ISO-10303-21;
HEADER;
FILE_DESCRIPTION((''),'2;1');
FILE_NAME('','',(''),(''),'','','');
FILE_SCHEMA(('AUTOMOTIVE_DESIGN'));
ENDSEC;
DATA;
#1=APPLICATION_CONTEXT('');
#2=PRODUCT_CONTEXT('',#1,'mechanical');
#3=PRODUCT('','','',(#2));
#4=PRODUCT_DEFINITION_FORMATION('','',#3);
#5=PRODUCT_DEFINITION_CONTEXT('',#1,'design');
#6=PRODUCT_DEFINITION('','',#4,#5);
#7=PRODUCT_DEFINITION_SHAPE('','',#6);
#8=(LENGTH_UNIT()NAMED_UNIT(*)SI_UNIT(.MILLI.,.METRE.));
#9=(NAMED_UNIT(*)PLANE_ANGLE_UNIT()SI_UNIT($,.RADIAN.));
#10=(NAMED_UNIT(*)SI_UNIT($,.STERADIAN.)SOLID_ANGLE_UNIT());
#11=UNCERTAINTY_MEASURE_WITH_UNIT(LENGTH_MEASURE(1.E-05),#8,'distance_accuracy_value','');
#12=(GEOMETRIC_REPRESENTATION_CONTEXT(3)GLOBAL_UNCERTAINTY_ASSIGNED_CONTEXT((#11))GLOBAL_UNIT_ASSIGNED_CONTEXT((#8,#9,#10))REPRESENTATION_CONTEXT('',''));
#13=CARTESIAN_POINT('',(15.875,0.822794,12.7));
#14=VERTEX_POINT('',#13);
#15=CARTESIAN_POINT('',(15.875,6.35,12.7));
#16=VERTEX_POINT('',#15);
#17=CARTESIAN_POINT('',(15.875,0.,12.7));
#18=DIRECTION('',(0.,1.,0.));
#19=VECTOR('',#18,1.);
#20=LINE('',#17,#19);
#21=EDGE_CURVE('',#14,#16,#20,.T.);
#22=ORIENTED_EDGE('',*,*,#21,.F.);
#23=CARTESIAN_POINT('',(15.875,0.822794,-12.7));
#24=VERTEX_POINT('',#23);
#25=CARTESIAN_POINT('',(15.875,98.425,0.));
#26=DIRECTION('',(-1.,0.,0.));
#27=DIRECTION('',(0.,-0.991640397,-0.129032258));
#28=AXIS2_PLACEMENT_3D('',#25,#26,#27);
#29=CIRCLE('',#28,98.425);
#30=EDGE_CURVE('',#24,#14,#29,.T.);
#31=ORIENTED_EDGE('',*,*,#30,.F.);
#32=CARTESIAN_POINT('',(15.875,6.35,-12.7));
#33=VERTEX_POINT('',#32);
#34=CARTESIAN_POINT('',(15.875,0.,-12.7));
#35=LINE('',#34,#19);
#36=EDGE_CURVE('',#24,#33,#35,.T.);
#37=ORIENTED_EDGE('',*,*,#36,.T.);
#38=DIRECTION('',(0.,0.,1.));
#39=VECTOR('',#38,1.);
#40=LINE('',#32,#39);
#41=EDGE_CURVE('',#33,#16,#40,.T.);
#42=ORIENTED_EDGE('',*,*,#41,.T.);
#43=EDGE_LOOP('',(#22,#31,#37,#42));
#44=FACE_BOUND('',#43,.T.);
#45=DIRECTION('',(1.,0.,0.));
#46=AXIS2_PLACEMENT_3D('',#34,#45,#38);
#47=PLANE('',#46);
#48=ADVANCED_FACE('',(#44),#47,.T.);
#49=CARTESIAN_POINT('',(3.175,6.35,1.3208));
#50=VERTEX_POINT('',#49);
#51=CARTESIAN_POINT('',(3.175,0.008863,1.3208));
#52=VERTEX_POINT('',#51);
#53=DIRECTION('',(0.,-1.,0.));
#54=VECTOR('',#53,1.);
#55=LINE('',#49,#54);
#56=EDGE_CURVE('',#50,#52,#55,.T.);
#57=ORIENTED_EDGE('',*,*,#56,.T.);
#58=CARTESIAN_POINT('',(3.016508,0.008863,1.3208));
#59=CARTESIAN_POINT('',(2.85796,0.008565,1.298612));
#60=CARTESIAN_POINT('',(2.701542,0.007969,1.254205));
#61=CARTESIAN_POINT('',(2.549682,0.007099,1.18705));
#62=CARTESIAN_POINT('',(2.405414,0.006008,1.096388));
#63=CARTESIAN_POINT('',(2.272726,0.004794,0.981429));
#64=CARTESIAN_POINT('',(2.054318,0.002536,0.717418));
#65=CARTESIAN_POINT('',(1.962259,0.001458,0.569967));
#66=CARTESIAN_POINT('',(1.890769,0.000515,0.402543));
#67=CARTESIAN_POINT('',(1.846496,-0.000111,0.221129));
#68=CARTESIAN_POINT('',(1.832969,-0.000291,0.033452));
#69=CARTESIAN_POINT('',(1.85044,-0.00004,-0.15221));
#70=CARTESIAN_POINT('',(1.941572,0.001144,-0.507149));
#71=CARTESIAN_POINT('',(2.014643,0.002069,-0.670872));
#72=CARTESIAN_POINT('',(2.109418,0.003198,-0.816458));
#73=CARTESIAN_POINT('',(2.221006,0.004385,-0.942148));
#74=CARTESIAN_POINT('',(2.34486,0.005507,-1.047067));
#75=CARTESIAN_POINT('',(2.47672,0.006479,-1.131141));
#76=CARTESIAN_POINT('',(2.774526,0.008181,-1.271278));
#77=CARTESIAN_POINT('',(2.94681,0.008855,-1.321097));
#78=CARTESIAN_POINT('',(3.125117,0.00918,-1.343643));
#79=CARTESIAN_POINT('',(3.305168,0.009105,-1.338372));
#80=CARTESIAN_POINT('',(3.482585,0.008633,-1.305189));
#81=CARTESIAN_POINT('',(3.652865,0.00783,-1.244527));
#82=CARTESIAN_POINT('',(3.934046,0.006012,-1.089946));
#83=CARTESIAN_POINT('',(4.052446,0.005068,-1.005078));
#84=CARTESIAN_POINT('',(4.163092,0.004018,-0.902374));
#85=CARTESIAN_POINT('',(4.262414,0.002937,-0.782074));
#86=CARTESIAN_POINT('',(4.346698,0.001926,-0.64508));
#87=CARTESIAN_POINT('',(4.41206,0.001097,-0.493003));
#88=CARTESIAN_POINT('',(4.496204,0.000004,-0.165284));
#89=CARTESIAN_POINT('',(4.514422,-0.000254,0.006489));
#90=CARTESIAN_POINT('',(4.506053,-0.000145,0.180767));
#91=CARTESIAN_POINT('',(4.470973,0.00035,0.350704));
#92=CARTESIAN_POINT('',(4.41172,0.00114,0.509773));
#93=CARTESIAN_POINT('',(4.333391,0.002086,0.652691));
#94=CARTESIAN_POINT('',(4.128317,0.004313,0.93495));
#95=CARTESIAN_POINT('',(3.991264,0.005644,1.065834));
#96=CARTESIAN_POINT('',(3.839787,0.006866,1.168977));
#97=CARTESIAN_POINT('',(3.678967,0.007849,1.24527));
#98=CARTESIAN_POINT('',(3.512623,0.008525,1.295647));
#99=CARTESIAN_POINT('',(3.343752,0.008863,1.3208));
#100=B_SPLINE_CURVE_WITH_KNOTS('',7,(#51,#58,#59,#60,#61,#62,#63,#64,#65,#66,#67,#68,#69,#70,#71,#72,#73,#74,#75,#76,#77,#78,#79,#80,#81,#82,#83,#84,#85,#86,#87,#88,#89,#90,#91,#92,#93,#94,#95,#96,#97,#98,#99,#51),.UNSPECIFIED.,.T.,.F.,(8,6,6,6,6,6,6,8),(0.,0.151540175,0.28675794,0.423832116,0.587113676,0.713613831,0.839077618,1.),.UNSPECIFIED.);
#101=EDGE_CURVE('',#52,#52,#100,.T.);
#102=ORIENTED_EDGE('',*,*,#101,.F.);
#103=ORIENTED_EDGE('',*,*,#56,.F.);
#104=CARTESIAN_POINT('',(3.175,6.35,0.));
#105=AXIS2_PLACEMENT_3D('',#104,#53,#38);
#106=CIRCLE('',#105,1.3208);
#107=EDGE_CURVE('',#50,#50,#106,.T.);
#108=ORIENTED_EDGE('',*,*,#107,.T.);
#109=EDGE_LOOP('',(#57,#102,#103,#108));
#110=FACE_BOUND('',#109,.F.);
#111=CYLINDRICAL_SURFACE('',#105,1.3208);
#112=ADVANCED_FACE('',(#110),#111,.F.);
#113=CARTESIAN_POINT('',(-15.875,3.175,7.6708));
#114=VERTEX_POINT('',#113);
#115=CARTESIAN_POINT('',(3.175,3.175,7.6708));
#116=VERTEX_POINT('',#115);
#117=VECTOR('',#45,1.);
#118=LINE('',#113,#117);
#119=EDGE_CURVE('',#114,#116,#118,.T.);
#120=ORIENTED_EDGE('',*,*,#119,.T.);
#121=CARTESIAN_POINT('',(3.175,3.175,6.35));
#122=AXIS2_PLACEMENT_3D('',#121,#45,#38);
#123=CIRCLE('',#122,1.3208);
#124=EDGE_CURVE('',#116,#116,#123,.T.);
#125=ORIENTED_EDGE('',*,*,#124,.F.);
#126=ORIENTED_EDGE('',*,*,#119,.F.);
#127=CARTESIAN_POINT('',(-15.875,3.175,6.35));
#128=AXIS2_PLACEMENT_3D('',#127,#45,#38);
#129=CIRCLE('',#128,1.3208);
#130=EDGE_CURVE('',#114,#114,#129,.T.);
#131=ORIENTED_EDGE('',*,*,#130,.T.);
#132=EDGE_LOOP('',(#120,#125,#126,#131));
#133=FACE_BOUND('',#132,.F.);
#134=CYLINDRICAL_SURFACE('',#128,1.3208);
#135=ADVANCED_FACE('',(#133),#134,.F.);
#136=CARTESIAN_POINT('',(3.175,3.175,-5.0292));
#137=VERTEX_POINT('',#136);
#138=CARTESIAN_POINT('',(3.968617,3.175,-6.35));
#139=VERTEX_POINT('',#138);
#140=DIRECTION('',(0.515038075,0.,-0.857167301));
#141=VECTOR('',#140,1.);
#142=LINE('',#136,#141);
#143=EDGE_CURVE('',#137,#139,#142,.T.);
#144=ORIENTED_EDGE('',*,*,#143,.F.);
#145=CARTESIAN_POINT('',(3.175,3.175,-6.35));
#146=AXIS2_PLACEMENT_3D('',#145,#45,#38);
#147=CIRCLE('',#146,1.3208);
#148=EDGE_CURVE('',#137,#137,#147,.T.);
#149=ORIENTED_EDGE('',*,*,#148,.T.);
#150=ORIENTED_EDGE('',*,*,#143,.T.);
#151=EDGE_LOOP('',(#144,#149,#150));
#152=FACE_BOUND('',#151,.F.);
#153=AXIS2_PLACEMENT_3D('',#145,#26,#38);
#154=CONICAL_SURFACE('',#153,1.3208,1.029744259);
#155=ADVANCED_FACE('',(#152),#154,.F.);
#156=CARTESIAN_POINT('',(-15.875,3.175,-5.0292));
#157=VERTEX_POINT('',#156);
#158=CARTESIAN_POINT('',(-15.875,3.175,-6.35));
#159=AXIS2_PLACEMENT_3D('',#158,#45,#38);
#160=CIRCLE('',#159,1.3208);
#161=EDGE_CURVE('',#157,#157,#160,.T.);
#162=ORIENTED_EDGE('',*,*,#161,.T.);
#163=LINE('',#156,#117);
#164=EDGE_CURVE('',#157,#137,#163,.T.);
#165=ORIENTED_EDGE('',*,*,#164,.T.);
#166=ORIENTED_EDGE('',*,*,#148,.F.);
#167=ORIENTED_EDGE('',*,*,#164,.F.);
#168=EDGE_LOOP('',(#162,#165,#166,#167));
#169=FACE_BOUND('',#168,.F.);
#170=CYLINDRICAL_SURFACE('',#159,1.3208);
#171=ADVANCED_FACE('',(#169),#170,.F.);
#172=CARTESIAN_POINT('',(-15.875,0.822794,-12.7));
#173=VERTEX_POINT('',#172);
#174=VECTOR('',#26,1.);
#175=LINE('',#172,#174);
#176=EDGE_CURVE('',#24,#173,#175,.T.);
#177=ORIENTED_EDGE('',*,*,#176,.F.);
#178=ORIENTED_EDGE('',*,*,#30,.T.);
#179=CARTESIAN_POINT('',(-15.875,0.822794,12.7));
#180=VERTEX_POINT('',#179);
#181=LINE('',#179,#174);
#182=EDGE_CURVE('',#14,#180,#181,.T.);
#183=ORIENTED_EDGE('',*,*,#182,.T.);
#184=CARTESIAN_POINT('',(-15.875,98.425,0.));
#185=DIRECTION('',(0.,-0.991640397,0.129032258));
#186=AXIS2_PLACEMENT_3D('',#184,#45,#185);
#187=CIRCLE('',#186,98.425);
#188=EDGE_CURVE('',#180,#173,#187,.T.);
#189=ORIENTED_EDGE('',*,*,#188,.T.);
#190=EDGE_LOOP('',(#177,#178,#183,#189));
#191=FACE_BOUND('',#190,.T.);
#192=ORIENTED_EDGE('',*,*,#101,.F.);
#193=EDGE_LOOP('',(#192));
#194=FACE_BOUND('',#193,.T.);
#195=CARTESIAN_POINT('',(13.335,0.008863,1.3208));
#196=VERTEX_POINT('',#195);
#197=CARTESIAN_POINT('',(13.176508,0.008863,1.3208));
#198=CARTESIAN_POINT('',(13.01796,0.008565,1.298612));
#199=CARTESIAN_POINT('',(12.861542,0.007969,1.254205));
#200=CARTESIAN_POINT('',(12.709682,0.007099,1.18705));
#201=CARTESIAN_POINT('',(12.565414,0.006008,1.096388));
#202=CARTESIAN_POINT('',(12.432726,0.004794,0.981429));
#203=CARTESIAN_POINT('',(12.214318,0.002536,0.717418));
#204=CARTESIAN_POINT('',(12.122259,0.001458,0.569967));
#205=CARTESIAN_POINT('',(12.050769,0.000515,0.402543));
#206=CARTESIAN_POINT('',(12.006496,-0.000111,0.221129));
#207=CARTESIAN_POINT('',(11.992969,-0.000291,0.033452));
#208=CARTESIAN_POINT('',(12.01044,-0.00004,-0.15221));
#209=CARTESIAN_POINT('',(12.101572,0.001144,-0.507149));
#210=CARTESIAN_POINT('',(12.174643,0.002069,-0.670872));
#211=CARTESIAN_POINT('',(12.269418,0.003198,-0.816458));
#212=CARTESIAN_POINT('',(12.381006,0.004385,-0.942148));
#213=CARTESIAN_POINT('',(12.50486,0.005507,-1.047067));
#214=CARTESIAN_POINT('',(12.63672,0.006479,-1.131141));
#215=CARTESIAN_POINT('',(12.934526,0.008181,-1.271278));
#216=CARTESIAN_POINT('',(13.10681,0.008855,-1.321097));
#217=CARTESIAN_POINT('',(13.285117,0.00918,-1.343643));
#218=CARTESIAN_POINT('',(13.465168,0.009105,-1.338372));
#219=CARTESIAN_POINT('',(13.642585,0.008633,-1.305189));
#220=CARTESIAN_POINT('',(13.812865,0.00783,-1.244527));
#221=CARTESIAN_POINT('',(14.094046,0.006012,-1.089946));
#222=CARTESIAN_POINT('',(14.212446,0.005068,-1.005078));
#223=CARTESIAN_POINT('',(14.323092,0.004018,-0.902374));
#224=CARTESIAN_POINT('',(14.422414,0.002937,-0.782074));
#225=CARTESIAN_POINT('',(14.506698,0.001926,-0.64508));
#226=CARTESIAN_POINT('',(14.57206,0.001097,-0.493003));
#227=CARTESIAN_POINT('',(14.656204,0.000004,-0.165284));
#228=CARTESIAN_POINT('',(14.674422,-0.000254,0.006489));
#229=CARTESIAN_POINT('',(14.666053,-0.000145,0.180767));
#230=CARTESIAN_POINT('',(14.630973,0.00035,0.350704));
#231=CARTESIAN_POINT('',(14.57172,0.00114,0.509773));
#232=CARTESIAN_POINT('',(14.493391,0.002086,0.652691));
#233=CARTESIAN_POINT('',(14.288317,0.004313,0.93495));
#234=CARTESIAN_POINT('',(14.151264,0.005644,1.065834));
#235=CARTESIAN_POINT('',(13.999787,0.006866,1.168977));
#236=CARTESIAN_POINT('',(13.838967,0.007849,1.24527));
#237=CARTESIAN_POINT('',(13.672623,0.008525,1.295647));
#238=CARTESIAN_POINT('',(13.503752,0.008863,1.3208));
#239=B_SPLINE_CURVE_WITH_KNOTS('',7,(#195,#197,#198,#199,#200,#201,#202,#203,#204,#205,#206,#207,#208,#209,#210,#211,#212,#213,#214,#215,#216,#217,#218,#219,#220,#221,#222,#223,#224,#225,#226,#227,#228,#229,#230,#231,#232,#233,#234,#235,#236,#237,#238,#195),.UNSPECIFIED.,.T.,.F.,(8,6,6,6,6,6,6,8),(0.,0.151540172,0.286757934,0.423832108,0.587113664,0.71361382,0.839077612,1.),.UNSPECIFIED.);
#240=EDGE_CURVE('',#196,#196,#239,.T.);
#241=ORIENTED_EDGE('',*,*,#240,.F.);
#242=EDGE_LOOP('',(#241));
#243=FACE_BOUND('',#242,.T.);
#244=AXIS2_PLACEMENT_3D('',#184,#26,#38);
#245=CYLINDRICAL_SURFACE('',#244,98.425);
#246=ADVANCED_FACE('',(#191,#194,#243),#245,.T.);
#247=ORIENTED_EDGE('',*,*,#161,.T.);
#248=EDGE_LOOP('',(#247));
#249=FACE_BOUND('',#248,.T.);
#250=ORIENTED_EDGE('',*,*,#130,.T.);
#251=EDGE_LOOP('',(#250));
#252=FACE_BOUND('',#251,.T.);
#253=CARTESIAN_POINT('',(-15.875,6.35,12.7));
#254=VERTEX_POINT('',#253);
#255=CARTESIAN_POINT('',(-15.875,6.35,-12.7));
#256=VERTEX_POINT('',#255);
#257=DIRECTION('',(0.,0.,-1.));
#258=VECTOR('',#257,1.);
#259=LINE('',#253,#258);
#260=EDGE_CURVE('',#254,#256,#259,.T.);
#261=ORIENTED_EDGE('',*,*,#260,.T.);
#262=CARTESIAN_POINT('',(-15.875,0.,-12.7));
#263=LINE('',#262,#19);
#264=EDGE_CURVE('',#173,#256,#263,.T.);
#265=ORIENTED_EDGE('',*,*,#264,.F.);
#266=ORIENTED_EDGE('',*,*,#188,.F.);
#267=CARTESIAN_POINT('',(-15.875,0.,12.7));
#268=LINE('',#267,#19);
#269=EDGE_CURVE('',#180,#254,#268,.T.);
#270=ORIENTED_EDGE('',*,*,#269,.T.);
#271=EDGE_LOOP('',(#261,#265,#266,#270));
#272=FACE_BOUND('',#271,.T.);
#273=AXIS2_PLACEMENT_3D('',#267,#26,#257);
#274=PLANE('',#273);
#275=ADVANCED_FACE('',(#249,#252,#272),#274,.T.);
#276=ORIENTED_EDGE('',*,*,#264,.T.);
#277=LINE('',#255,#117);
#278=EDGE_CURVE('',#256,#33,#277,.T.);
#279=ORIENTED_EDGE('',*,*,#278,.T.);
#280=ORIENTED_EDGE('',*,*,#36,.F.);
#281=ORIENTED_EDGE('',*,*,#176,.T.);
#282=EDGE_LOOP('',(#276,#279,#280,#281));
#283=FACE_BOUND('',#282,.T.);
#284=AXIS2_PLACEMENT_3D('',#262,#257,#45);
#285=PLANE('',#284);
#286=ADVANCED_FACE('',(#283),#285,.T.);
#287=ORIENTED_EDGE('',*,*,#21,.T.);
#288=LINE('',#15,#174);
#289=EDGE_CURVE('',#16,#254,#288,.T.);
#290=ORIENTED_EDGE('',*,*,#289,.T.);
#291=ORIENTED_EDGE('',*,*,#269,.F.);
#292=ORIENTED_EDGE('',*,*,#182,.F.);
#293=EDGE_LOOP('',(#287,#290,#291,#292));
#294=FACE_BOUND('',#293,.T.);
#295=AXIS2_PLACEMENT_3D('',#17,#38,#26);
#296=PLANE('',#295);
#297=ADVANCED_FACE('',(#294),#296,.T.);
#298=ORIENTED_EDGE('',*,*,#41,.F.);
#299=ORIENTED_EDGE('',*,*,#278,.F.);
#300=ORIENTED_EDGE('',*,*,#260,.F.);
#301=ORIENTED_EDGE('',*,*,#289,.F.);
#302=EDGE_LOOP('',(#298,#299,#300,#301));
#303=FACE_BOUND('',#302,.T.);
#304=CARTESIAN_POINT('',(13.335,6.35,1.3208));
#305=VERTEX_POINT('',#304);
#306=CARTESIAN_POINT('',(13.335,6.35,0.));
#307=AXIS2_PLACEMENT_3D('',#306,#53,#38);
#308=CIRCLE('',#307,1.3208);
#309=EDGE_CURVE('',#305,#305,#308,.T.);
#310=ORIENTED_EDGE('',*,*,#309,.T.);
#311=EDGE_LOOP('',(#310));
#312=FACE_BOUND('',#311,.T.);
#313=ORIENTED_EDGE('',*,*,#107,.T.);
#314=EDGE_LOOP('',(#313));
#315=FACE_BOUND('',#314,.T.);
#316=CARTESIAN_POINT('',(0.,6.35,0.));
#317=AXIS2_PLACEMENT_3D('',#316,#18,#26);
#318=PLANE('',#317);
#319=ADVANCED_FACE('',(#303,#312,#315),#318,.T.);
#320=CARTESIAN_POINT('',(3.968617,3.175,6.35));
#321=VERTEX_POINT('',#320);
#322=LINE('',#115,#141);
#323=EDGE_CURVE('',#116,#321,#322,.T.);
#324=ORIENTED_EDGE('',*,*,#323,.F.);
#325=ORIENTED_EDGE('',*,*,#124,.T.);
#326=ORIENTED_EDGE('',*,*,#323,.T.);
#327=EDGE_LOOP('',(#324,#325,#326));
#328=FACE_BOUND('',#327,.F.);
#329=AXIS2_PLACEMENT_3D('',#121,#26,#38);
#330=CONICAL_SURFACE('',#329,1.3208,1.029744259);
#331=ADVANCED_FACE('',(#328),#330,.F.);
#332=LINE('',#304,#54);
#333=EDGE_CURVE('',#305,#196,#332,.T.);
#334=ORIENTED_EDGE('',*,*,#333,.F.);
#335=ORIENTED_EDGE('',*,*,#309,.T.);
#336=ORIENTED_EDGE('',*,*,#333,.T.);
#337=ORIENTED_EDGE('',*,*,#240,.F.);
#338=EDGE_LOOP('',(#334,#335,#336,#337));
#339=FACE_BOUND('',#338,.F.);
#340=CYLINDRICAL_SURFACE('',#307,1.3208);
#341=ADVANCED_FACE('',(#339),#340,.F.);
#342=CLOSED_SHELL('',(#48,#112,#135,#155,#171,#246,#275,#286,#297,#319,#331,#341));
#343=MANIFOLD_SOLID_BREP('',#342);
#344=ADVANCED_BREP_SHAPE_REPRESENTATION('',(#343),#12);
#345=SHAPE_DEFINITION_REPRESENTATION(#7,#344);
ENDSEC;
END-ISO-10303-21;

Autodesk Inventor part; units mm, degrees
ref_plane "YZ Plane" through (0, 0, 0) normal (1, 0, 0) x (0, 1, 0)
ref_plane "XZ Plane" through (0, 0, 0) normal (0, 1, 0) x (-1, 0, 0)
ref_plane "XY Plane" through (0, 0, 0) normal (0, 0, 1) x (1, 0, 0)
sketch "Sketch1" plane through (0, 0, 0) normal (0, 1, 0) x (-1, 0, 0)
  line L0 (-15.875, 12.7) -> (15.875, 12.7)
  line L1 (15.875, 12.7) -> (15.875, -12.7)
  line L2 (15.875, -12.7) -> (-15.875, -12.7)
  line L3 (-15.875, -12.7) -> (-15.875, 12.7)
  line L4 (-15.875, 12.7) -> (15.875, -12.7) construction
  line L5 (15.875, 12.7) -> (-15.875, -12.7) construction
  point P0 (0, 0)
  dimension "d0" = 31.75
  dimension "d1" = 25.4
extrude "Extrusion1" add sketch "Sketch1" along normal blind 6.35
sketch "Sketch2" plane through (-15.875, 0, -12.7) normal (-1, 0, 0) x (0, 0, 1)
  line L0 (12.7, 0) -> (12.7, 6.35) construction
  line L1 (25.4, 6.35) -> (0, 6.35) construction
  line L2 (12.7, 3.175) -> (6.35, 3.175) construction
  line L3 (12.7, 3.175) -> (19.05, 3.175) construction
  dimension "d4" = 6.35
  dimension "d5" = 180
hole "Hole1" at (-15.875, 3.175, -6.35) at (-15.875, 3.175, 6.35) direction (1, 0, 0) diameter 2.6416 depth 19.05 tip angle 118 thread size "6-32 UNC" class "2B" standard "ANSI Unified Screw Threads"
sketch "Sketch3" plane through (-15.875, 0, -12.7) normal (-1, 0, 0) x (0, 0, 1)
  line L0 (12.7, 0) -> (12.7, 98.425) construction
  line L1 (12.7, 0) -> (111.125, 0) construction
  circle A0 centre (12.7, 98.425) radius 98.425
  dimension "d14" = 98.425
  dimension "d15" = 90
  dimension "d16" = 196.85
extrude "Extrusion2" cut sketch "Sketch3" against normal up to surface (31.75 mm away) keep common part
sketch "Sketch4" plane through (0, 6.35, 0) normal (0, 1, 0) x (1, 0, 0)
  line L0 (-15.875, 12.7) -> (-15.875, -12.7) construction
  line L1 (-15.875, 0) -> (3.175, 0) construction
  line L2 (-15.875, 0) -> (3.175, 0) construction
  line L3 (3.175, 0) -> (13.335, 0) construction
  line L4 (3.175, 0) -> (13.335, 0) construction
  point P0 (0, 0)
  dimension "d19" = 19.05
  dimension "d20" = 0
  dimension "d21" = 10.16
  dimension "d22" = 0
hole "Hole2" at (13.335, 6.35, 0) at (3.175, 6.35, 0) direction (0, -1, 0) diameter 2.6416 depth 19.05 tip angle 118 thread size "6-32 UNC" class "2B" standard "ANSI Unified Screw Threads"
properties part number "4K adapter" material "Copper"
